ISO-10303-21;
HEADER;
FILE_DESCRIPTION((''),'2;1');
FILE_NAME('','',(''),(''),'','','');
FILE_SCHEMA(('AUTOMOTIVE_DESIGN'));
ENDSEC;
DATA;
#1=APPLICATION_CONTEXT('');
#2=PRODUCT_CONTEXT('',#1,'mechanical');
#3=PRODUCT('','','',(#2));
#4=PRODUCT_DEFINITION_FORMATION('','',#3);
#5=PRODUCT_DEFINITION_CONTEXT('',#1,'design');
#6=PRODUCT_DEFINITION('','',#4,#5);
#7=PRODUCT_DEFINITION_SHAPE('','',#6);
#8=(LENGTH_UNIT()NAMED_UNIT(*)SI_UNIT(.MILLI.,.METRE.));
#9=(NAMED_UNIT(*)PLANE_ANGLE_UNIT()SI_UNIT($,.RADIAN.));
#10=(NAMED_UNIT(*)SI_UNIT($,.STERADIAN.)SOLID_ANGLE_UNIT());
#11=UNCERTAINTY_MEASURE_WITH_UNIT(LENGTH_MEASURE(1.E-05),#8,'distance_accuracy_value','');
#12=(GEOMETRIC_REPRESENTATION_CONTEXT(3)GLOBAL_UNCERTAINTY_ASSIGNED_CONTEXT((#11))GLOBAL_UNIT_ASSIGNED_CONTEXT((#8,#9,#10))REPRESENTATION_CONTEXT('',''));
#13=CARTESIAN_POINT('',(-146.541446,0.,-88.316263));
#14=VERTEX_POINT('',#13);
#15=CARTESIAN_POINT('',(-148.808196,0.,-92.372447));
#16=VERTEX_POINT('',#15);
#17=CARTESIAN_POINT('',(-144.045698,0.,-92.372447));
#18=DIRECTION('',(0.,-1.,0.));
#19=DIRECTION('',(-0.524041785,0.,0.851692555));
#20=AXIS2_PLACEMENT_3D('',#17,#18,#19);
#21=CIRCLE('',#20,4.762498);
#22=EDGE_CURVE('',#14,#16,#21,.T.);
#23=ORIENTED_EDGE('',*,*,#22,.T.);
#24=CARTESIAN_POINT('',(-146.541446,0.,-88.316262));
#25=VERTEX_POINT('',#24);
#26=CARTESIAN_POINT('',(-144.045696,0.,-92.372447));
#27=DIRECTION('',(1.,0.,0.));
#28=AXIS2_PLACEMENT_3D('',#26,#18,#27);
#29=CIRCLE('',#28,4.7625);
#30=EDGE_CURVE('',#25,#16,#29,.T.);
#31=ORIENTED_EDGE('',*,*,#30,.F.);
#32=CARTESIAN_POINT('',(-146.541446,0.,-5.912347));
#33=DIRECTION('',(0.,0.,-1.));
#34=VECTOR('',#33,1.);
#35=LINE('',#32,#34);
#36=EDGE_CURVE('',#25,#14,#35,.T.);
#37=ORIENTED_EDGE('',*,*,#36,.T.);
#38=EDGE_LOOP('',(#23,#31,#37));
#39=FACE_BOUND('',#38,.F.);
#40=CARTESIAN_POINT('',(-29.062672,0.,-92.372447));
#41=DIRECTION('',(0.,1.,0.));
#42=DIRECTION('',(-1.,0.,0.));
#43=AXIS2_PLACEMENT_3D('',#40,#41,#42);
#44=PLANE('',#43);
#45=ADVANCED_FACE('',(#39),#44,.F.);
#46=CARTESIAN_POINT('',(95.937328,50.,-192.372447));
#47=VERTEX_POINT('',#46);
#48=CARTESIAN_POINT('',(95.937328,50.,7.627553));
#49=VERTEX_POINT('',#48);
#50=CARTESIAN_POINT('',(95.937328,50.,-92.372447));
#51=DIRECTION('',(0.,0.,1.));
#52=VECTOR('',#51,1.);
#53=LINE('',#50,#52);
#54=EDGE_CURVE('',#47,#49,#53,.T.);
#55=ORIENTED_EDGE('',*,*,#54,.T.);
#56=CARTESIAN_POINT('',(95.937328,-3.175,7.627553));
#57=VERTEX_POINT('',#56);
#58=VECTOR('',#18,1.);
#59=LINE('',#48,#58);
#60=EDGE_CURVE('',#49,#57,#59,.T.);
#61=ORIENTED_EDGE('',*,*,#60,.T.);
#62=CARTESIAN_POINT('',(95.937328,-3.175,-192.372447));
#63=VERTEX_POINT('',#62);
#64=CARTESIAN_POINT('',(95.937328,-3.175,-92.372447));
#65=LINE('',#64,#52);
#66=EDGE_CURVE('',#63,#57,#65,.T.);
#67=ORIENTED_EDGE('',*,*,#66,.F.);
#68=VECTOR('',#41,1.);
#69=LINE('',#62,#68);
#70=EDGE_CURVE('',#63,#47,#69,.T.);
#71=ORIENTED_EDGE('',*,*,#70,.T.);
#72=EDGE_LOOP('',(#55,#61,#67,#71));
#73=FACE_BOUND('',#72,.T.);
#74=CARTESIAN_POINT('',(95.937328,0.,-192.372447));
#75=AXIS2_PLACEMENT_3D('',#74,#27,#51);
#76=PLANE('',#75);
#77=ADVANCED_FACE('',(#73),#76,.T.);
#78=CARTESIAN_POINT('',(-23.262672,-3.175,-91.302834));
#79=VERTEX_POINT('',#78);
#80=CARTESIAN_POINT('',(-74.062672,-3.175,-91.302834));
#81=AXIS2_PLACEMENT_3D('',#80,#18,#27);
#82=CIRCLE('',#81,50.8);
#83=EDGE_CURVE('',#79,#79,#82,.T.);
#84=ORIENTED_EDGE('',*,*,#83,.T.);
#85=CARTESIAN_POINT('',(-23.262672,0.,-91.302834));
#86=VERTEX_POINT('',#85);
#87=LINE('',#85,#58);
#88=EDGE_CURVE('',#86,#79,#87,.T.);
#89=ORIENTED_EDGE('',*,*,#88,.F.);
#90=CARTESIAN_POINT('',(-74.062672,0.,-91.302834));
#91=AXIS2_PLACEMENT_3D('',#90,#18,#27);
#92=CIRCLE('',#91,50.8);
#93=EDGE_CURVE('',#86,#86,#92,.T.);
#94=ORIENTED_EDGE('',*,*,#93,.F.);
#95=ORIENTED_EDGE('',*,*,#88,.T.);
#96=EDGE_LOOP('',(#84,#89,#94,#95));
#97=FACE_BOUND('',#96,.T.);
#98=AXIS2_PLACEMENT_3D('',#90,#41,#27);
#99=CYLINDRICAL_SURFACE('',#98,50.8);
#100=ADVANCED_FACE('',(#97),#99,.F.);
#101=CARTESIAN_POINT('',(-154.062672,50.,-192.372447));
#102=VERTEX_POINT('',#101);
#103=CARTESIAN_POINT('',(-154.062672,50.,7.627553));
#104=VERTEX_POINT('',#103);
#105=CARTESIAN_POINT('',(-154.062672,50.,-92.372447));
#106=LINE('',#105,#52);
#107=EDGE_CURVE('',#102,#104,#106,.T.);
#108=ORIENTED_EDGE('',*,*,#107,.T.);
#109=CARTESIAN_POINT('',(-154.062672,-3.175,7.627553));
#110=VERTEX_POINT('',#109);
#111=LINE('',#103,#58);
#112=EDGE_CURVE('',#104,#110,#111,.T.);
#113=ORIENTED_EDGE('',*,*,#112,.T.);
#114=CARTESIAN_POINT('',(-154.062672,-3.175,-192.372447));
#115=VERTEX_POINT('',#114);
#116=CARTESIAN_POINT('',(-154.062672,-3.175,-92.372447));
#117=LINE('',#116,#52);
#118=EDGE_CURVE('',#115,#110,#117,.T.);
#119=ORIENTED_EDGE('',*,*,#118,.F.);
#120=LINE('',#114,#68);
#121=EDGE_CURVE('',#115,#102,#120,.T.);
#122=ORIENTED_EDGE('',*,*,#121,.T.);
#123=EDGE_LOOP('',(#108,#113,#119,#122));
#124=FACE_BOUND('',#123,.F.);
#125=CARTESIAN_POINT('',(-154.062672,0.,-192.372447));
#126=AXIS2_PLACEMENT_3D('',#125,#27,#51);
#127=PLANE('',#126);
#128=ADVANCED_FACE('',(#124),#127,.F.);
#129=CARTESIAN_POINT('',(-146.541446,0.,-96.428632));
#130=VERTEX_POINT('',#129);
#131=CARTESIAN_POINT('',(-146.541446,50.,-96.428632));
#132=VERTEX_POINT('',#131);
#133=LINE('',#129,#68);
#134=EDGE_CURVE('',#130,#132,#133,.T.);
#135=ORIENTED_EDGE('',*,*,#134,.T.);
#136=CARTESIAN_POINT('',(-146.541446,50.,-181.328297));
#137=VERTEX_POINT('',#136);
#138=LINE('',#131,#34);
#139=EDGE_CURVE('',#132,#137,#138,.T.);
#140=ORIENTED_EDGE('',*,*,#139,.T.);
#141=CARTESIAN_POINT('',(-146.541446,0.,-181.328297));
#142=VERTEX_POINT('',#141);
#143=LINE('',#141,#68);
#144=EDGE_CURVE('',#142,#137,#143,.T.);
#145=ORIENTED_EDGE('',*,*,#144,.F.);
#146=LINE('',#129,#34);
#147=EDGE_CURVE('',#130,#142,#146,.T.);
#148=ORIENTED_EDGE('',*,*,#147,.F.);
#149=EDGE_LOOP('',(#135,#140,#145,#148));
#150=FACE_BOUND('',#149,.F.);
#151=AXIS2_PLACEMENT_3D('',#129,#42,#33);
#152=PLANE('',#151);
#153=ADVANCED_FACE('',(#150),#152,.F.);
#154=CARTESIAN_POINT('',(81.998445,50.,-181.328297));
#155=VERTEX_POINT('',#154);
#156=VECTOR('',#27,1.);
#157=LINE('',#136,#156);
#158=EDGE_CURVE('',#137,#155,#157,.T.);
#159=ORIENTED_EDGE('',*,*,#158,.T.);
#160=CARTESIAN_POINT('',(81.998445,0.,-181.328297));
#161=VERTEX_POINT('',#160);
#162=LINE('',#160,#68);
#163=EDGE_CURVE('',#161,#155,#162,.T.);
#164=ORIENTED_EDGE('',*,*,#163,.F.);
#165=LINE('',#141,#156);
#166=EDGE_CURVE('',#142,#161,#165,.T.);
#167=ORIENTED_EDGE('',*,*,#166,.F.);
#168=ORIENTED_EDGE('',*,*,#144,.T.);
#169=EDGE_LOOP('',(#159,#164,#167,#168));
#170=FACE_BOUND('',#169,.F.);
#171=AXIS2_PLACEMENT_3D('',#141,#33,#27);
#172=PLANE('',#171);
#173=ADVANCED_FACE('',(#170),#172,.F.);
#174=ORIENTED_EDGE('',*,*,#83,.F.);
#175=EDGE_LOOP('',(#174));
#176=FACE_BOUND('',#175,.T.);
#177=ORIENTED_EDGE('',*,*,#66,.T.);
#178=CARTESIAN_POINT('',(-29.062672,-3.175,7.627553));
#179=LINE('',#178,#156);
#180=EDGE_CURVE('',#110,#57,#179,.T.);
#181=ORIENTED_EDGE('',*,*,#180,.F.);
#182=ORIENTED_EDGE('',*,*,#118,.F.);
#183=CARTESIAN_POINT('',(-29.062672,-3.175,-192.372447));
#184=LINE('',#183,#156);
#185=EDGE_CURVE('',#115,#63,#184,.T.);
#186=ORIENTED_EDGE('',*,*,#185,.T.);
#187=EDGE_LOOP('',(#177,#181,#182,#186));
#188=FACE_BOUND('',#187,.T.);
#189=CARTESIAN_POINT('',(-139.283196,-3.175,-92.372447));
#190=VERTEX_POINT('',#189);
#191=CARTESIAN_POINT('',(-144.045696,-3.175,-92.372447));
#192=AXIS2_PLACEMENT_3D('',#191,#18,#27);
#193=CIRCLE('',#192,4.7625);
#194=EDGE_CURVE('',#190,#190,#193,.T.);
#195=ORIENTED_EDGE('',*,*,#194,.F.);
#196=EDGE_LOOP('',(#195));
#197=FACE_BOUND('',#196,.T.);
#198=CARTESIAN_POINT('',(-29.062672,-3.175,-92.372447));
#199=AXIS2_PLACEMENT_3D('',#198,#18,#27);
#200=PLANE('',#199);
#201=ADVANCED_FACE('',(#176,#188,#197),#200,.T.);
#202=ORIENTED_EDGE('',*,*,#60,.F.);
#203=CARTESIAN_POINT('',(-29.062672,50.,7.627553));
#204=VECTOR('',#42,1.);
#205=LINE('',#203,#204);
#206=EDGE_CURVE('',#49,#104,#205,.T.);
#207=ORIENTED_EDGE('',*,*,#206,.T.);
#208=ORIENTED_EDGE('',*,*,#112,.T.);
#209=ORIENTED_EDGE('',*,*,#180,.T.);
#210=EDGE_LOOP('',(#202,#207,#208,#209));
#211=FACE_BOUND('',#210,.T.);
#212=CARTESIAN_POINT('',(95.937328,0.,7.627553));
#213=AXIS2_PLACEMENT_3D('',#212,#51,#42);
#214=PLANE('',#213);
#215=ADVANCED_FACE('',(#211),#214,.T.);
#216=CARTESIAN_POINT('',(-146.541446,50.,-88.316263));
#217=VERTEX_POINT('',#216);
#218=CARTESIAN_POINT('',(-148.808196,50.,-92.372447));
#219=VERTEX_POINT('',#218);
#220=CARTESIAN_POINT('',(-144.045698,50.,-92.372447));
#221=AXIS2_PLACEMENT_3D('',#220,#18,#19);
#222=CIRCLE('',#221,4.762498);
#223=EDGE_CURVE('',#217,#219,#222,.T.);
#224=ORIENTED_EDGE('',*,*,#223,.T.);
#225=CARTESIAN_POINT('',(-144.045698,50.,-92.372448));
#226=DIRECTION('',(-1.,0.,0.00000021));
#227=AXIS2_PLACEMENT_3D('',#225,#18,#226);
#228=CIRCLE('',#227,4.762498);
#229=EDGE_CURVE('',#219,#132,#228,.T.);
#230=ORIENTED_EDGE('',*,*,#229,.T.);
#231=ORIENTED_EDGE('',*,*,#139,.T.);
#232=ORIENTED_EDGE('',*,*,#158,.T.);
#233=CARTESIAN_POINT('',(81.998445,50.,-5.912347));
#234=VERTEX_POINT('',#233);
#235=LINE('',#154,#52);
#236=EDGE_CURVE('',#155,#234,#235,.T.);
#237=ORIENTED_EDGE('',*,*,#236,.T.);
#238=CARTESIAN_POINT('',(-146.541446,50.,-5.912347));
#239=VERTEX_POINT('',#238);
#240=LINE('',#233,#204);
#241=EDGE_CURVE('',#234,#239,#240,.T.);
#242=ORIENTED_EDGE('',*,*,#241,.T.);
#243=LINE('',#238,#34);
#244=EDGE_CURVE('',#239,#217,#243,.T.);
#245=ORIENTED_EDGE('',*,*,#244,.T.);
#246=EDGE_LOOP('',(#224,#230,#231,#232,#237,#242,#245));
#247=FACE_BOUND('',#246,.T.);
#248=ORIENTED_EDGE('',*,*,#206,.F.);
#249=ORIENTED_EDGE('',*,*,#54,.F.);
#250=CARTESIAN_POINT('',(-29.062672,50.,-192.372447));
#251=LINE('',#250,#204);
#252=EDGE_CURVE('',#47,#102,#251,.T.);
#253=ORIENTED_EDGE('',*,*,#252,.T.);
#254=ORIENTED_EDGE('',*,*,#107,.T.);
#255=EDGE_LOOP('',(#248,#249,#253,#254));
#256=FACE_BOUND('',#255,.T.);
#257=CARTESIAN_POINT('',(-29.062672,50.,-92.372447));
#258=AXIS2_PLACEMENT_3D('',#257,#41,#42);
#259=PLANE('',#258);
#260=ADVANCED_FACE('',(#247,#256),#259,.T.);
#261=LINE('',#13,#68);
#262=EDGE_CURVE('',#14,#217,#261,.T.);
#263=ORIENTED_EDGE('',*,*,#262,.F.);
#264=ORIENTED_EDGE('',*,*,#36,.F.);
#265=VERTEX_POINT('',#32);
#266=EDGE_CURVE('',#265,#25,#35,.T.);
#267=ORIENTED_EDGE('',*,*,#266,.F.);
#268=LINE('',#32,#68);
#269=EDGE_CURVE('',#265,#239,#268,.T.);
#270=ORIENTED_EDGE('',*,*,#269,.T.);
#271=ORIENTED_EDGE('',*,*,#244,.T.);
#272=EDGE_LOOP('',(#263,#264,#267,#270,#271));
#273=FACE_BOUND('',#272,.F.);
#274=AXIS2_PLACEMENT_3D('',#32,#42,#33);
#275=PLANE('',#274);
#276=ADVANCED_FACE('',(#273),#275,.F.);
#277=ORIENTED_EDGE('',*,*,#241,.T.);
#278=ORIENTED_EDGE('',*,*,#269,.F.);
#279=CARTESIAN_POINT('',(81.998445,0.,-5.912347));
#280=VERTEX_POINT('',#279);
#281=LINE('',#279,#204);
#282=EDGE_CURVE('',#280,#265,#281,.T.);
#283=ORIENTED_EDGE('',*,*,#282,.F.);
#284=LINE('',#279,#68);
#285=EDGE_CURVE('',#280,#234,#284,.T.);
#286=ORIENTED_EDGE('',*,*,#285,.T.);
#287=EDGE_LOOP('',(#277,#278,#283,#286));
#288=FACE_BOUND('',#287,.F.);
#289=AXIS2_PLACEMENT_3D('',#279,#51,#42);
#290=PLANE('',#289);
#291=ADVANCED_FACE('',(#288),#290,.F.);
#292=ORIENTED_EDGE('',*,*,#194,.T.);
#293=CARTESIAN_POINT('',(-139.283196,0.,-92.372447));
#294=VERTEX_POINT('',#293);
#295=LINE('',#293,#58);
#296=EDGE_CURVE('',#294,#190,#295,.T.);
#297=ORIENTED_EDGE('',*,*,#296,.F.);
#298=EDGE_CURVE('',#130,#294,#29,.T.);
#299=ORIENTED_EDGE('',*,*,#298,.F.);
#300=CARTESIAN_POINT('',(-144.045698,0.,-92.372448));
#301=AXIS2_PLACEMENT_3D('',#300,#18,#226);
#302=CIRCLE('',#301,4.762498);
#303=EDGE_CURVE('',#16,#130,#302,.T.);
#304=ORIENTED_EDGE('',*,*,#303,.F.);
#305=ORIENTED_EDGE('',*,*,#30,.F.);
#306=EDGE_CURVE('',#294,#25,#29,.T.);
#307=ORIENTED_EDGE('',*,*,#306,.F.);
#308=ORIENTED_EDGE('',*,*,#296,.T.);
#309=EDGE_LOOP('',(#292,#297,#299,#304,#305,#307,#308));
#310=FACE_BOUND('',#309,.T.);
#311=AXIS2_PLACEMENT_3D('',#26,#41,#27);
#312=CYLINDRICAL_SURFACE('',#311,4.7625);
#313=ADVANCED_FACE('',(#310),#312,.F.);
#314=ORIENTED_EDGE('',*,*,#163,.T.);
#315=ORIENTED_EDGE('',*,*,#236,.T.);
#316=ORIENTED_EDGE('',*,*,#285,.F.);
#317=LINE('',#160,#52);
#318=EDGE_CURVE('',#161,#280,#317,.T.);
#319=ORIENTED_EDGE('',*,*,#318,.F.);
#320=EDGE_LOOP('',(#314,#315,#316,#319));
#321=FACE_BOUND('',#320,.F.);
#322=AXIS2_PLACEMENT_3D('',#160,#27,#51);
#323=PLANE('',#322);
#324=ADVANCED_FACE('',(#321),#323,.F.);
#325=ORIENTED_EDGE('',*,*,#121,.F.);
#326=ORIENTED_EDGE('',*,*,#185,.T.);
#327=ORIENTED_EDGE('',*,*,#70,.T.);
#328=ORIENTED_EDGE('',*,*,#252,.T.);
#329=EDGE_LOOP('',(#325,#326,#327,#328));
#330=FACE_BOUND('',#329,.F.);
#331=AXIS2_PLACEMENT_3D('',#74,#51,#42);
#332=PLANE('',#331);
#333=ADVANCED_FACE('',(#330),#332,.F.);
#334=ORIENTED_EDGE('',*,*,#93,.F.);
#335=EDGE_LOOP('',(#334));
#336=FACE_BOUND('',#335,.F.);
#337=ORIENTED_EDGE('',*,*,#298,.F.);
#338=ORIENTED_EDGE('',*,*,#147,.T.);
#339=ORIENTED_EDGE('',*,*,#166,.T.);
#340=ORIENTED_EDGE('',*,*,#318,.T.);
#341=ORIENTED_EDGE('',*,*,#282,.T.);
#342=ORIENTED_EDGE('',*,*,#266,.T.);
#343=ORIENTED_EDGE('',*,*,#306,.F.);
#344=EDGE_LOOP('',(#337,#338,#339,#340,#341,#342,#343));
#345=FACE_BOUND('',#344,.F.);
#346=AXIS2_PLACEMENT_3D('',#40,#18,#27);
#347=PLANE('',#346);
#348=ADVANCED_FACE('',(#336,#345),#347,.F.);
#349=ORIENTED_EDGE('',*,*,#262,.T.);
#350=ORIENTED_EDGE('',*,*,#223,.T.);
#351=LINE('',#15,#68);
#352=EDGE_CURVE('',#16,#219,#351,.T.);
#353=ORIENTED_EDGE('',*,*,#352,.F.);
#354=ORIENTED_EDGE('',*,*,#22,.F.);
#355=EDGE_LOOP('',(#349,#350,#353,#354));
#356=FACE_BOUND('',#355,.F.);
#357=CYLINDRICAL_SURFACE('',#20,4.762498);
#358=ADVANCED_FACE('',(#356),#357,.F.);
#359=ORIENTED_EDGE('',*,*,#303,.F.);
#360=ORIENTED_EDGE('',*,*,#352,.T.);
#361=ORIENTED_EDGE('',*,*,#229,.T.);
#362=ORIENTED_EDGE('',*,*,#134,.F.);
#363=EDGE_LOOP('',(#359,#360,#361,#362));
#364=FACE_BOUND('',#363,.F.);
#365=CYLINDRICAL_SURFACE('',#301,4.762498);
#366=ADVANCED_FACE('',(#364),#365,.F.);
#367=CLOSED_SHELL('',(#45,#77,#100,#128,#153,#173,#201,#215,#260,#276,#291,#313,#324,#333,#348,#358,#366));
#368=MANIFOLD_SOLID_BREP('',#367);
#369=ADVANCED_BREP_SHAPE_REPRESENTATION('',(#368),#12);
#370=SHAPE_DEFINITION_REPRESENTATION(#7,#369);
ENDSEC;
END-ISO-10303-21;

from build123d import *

# Parameters (mm, degrees)
F0_W     = 250
F0_H     = 200
F0_R     = 4.7625
F0_R_2   = 50.8
F1_DEPTH = 3.175
F2_W     = 250
F2_H     = 200
F3_DEPTH = 50


with BuildPart() as f1:
    # F0 (on Front) → F1 (new body)
    with BuildSketch(Plane.XZ):
        with Locations((-29.062672, -92.372447)):
            Rectangle(F0_W, F0_H)
        with Locations((-144.045696, -92.372447)):
            Circle(F0_R, mode=Mode.SUBTRACT)
        with Locations((-74.062672, -91.302834)):
            Circle(F0_R_2, mode=Mode.SUBTRACT)
    extrude(amount=F1_DEPTH)

    # F2 (on face) → F3 (join)
    with BuildSketch(Plane(origin=(0, 0, 0), x_dir=(-1, 0, 0), z_dir=(0, 1, 0))):
        with Locations((29.062672, -92.372447)):
            Rectangle(F2_W, F2_H)
        with BuildLine():
            Line((-81.998445, -181.328297), (-81.998445, -5.912347))
            Line((-81.998445, -5.912347), (146.541446, -5.912347))
            Line((146.541446, -5.912347), (146.541446, -88.316263))
            ThreePointArc((146.541446, -88.316263), (148.203064, -90.049153), (148.808196, -92.372447))
            ThreePointArc((148.808196, -92.372447), (148.203064, -94.695742), (146.541446, -96.428632))
            Line((146.541446, -96.428632), (146.541446, -181.328297))
            Line((146.541446, -181.328297), (-81.998445, -181.328297))
        make_face(mode=Mode.SUBTRACT)
    extrude(amount=F3_DEPTH)


solid = f1.part
